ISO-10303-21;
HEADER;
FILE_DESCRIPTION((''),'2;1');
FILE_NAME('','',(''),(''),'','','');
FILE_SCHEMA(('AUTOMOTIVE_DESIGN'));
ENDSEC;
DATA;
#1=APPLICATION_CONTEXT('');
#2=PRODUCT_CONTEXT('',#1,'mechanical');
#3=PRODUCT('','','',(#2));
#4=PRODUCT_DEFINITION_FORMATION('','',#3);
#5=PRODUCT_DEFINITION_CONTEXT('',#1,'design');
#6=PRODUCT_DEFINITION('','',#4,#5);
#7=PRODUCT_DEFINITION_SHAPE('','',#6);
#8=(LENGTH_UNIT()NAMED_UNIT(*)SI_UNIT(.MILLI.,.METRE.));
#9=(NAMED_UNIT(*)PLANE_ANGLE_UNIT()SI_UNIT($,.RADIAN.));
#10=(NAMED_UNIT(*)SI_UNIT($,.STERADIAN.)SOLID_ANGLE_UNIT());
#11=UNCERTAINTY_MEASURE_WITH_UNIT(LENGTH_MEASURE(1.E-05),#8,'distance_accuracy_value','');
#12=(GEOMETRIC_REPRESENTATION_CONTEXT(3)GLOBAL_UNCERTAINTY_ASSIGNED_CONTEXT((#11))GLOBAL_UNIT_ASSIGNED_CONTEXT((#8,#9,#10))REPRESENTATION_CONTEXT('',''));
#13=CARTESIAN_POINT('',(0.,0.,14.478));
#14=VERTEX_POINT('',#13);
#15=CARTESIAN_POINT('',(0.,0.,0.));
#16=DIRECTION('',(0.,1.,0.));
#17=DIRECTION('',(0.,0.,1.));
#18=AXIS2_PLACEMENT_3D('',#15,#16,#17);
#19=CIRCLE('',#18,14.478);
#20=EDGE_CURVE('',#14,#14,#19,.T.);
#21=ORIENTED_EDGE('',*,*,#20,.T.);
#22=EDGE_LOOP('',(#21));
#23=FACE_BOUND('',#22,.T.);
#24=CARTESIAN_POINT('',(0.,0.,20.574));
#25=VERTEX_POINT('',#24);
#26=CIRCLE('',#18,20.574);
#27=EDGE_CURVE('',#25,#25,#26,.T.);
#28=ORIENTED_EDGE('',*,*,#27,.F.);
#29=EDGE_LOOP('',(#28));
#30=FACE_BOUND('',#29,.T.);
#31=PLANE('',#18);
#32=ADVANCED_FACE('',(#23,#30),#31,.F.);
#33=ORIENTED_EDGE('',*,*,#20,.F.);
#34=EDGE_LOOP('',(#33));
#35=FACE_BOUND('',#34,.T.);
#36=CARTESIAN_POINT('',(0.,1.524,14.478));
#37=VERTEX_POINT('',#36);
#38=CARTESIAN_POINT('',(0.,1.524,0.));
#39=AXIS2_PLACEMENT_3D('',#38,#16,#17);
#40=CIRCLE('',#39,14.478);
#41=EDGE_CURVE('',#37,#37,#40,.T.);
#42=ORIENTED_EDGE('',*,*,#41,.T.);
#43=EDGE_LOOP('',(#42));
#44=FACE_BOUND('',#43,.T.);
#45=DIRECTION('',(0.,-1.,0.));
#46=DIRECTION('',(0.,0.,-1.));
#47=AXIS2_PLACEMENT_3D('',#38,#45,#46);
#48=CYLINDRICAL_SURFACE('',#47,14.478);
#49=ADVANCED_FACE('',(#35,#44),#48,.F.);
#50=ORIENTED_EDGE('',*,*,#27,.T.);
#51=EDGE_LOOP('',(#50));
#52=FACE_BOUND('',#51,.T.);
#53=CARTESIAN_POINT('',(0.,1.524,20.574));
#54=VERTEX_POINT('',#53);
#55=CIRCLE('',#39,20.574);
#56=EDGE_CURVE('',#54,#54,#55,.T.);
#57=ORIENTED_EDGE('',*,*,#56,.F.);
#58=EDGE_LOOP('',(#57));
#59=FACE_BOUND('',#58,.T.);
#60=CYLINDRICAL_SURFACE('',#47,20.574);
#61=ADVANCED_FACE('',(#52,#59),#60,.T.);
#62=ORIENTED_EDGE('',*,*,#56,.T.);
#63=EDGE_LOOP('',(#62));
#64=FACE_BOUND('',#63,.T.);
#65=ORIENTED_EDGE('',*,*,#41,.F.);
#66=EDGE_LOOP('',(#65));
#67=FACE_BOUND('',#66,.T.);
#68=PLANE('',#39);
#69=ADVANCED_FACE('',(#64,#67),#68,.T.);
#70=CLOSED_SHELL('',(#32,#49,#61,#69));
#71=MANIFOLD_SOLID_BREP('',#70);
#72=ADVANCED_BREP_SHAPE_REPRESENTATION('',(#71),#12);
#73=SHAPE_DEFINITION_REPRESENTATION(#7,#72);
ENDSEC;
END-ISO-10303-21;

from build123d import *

# Parameters (mm, degrees)
SKETCH1_R          = 20.574
SKETCH1_R_2        = 14.478
BASE_EXTRUDE_DEPTH = 1.524


with BuildPart() as part:
    # Sketch1 → Base-Extrude (new body)
    with BuildSketch(Plane(origin=(0, 0, 0), x_dir=(1, 0, 0), z_dir=(0, 1, 0))):
        Circle(SKETCH1_R)
        Circle(SKETCH1_R_2, mode=Mode.SUBTRACT)
    extrude(amount=BASE_EXTRUDE_DEPTH)


solid = part.part
